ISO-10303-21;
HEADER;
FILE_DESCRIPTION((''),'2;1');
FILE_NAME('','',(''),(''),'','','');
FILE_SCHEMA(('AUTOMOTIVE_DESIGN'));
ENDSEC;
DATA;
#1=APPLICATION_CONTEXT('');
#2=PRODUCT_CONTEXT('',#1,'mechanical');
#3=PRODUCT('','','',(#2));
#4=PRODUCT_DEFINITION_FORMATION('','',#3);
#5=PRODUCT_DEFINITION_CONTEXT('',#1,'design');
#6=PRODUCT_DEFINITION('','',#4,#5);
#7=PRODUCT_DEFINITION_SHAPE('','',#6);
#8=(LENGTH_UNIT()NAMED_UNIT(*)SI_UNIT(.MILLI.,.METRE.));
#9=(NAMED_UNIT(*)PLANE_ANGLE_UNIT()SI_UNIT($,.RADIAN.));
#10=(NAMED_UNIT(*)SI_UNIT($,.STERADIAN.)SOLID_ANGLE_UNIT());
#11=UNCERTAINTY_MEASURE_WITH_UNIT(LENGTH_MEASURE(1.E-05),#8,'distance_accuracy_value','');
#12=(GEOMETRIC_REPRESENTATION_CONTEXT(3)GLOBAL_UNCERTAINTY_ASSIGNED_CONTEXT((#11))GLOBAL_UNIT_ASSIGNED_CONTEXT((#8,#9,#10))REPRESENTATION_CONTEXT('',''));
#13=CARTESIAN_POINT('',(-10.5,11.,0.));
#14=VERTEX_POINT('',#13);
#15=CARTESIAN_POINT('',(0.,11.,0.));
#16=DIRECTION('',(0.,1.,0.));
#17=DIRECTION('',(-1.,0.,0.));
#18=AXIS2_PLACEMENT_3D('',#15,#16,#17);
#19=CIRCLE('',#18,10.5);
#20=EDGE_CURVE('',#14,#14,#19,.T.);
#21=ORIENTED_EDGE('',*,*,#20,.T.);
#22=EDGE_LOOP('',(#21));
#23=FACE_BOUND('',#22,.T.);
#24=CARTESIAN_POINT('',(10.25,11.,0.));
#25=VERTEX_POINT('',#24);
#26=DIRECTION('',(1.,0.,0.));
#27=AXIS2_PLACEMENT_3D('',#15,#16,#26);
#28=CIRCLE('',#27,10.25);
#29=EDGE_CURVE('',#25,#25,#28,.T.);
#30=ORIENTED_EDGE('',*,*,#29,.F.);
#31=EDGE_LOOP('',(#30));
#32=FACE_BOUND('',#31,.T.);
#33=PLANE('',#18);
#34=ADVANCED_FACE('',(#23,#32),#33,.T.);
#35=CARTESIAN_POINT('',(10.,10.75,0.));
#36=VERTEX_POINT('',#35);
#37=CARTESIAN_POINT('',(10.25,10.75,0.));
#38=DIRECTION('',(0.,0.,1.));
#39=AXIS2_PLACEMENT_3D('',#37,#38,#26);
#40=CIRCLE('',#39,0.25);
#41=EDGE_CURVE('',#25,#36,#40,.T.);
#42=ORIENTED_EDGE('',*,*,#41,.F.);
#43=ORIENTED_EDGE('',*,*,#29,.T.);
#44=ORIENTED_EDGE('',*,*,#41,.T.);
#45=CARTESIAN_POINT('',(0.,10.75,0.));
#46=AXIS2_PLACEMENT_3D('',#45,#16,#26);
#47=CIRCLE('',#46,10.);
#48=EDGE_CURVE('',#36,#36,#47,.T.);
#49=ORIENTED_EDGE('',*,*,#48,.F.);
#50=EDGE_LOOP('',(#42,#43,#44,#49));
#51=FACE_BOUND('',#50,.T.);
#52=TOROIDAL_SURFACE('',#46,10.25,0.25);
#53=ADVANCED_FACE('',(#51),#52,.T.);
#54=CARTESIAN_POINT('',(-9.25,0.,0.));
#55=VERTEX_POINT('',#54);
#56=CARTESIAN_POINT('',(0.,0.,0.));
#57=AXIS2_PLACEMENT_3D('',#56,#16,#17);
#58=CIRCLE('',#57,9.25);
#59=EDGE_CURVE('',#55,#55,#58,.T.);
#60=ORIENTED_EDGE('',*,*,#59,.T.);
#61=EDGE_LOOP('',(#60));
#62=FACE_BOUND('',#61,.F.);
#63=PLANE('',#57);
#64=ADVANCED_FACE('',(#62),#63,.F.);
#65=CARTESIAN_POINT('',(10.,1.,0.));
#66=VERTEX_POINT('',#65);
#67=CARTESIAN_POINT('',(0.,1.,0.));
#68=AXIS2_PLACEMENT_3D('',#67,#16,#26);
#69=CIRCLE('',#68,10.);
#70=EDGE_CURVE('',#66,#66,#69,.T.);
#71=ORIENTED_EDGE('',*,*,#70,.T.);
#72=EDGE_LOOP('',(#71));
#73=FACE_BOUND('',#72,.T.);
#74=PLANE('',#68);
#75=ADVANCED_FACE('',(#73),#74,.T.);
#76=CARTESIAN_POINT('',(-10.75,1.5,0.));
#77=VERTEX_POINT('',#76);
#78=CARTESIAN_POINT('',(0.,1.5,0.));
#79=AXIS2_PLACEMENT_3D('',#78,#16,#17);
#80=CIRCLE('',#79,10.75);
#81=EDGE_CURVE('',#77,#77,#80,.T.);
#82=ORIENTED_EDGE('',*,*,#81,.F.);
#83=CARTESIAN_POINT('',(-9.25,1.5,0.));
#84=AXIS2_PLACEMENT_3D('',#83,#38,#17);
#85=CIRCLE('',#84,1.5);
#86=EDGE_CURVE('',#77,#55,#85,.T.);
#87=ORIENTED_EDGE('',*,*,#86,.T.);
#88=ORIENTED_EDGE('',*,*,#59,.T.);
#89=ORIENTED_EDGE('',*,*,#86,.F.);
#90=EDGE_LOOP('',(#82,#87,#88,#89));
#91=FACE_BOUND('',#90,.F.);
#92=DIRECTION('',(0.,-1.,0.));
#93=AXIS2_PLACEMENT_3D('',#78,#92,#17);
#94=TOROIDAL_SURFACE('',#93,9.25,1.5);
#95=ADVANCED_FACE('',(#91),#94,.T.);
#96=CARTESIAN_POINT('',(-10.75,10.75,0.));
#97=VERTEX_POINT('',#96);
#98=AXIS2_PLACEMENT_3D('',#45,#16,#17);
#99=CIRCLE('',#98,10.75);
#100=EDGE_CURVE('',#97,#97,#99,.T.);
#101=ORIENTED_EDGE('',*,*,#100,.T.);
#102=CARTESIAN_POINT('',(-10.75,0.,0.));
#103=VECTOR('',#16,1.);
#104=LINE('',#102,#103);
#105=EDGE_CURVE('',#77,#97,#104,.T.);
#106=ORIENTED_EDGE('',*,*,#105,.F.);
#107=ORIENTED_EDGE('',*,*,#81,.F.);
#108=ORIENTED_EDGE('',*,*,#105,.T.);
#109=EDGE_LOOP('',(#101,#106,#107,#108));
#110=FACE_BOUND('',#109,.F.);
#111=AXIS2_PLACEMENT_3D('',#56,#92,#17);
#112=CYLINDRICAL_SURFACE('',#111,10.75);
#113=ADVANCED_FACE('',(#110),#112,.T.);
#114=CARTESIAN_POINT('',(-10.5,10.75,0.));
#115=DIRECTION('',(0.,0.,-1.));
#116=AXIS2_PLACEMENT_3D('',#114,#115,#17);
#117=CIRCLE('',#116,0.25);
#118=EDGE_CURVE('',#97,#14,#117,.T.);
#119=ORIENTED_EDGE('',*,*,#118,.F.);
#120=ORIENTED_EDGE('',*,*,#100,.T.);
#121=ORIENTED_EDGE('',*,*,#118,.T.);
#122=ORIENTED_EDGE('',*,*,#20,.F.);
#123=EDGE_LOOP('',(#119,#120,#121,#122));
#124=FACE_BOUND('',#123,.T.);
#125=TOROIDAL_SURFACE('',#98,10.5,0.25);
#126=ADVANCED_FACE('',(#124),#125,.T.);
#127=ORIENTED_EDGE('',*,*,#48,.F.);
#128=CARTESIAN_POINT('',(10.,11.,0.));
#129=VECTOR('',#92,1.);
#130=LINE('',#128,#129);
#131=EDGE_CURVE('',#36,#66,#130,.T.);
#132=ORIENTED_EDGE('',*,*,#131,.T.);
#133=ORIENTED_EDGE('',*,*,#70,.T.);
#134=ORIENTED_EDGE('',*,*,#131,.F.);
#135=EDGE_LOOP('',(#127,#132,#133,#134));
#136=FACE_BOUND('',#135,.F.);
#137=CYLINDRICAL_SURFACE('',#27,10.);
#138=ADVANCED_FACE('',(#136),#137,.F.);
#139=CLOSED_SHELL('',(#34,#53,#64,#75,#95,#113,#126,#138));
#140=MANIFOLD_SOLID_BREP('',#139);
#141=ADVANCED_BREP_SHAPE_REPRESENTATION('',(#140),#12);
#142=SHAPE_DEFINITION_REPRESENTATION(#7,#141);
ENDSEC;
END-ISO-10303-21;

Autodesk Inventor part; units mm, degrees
ref_plane "YZ Plane" through (0, 0, 0) normal (1, 0, 0) x (0, 1, 0)
ref_plane "XZ Plane" through (0, 0, 0) normal (0, 1, 0) x (-1, 0, 0)
ref_plane "XY Plane" through (0, 0, 0) normal (0, 0, 1) x (1, 0, 0)
sketch "Sketch1" plane through (0, 0, 0) normal (0, 1, 0) x (-1, 0, 0)
  circle A0 centre (0, 0) radius 10.75
  dimension "d0" = 21.5
extrude "Extrusion1" add sketch "Sketch1" along normal blind 11
sketch "Sketch2" plane through (0, 11, 0) normal (0, 1, 0) x (1, 0, 0)
  circle A0 centre (0, 0) radius 10
  dimension "d3" = 20
extrude "Extrusion2" cut sketch "Sketch2" against normal blind 10
fillet "Fillet1" radius 1.5 1 edges at (10.75, 0, 0)
fillet "Fillet2" radius 0.25 2 edges at (10.75, 11, 0) (-10, 11, 0)
thread "Thread1" size "M20x2.5" class "6H" standard "ANSI Metric M Profile" full length
sketch "Sketch3" plane through (0, 1, 0) normal (0, 1, 0) x (1, 0, 0)
  point P0 (0, 0)
sketch "Sketch4" plane through (0, 0, 0) normal (0, -1, 0) x (1, 0, 0)
  line L0 (-6.0026, 1.747) -> (5.8016, 1.747) construction
  line L1 (5.8016, 1.747) -> (5.8016, -1.301) construction
  line L2 (5.8016, -1.301) -> (-6.0026, -1.301) construction
  line L3 (-6.0026, -1.301) -> (-6.0026, 1.747) construction
  point P0 (0, 0)
properties part number "kork 32"
